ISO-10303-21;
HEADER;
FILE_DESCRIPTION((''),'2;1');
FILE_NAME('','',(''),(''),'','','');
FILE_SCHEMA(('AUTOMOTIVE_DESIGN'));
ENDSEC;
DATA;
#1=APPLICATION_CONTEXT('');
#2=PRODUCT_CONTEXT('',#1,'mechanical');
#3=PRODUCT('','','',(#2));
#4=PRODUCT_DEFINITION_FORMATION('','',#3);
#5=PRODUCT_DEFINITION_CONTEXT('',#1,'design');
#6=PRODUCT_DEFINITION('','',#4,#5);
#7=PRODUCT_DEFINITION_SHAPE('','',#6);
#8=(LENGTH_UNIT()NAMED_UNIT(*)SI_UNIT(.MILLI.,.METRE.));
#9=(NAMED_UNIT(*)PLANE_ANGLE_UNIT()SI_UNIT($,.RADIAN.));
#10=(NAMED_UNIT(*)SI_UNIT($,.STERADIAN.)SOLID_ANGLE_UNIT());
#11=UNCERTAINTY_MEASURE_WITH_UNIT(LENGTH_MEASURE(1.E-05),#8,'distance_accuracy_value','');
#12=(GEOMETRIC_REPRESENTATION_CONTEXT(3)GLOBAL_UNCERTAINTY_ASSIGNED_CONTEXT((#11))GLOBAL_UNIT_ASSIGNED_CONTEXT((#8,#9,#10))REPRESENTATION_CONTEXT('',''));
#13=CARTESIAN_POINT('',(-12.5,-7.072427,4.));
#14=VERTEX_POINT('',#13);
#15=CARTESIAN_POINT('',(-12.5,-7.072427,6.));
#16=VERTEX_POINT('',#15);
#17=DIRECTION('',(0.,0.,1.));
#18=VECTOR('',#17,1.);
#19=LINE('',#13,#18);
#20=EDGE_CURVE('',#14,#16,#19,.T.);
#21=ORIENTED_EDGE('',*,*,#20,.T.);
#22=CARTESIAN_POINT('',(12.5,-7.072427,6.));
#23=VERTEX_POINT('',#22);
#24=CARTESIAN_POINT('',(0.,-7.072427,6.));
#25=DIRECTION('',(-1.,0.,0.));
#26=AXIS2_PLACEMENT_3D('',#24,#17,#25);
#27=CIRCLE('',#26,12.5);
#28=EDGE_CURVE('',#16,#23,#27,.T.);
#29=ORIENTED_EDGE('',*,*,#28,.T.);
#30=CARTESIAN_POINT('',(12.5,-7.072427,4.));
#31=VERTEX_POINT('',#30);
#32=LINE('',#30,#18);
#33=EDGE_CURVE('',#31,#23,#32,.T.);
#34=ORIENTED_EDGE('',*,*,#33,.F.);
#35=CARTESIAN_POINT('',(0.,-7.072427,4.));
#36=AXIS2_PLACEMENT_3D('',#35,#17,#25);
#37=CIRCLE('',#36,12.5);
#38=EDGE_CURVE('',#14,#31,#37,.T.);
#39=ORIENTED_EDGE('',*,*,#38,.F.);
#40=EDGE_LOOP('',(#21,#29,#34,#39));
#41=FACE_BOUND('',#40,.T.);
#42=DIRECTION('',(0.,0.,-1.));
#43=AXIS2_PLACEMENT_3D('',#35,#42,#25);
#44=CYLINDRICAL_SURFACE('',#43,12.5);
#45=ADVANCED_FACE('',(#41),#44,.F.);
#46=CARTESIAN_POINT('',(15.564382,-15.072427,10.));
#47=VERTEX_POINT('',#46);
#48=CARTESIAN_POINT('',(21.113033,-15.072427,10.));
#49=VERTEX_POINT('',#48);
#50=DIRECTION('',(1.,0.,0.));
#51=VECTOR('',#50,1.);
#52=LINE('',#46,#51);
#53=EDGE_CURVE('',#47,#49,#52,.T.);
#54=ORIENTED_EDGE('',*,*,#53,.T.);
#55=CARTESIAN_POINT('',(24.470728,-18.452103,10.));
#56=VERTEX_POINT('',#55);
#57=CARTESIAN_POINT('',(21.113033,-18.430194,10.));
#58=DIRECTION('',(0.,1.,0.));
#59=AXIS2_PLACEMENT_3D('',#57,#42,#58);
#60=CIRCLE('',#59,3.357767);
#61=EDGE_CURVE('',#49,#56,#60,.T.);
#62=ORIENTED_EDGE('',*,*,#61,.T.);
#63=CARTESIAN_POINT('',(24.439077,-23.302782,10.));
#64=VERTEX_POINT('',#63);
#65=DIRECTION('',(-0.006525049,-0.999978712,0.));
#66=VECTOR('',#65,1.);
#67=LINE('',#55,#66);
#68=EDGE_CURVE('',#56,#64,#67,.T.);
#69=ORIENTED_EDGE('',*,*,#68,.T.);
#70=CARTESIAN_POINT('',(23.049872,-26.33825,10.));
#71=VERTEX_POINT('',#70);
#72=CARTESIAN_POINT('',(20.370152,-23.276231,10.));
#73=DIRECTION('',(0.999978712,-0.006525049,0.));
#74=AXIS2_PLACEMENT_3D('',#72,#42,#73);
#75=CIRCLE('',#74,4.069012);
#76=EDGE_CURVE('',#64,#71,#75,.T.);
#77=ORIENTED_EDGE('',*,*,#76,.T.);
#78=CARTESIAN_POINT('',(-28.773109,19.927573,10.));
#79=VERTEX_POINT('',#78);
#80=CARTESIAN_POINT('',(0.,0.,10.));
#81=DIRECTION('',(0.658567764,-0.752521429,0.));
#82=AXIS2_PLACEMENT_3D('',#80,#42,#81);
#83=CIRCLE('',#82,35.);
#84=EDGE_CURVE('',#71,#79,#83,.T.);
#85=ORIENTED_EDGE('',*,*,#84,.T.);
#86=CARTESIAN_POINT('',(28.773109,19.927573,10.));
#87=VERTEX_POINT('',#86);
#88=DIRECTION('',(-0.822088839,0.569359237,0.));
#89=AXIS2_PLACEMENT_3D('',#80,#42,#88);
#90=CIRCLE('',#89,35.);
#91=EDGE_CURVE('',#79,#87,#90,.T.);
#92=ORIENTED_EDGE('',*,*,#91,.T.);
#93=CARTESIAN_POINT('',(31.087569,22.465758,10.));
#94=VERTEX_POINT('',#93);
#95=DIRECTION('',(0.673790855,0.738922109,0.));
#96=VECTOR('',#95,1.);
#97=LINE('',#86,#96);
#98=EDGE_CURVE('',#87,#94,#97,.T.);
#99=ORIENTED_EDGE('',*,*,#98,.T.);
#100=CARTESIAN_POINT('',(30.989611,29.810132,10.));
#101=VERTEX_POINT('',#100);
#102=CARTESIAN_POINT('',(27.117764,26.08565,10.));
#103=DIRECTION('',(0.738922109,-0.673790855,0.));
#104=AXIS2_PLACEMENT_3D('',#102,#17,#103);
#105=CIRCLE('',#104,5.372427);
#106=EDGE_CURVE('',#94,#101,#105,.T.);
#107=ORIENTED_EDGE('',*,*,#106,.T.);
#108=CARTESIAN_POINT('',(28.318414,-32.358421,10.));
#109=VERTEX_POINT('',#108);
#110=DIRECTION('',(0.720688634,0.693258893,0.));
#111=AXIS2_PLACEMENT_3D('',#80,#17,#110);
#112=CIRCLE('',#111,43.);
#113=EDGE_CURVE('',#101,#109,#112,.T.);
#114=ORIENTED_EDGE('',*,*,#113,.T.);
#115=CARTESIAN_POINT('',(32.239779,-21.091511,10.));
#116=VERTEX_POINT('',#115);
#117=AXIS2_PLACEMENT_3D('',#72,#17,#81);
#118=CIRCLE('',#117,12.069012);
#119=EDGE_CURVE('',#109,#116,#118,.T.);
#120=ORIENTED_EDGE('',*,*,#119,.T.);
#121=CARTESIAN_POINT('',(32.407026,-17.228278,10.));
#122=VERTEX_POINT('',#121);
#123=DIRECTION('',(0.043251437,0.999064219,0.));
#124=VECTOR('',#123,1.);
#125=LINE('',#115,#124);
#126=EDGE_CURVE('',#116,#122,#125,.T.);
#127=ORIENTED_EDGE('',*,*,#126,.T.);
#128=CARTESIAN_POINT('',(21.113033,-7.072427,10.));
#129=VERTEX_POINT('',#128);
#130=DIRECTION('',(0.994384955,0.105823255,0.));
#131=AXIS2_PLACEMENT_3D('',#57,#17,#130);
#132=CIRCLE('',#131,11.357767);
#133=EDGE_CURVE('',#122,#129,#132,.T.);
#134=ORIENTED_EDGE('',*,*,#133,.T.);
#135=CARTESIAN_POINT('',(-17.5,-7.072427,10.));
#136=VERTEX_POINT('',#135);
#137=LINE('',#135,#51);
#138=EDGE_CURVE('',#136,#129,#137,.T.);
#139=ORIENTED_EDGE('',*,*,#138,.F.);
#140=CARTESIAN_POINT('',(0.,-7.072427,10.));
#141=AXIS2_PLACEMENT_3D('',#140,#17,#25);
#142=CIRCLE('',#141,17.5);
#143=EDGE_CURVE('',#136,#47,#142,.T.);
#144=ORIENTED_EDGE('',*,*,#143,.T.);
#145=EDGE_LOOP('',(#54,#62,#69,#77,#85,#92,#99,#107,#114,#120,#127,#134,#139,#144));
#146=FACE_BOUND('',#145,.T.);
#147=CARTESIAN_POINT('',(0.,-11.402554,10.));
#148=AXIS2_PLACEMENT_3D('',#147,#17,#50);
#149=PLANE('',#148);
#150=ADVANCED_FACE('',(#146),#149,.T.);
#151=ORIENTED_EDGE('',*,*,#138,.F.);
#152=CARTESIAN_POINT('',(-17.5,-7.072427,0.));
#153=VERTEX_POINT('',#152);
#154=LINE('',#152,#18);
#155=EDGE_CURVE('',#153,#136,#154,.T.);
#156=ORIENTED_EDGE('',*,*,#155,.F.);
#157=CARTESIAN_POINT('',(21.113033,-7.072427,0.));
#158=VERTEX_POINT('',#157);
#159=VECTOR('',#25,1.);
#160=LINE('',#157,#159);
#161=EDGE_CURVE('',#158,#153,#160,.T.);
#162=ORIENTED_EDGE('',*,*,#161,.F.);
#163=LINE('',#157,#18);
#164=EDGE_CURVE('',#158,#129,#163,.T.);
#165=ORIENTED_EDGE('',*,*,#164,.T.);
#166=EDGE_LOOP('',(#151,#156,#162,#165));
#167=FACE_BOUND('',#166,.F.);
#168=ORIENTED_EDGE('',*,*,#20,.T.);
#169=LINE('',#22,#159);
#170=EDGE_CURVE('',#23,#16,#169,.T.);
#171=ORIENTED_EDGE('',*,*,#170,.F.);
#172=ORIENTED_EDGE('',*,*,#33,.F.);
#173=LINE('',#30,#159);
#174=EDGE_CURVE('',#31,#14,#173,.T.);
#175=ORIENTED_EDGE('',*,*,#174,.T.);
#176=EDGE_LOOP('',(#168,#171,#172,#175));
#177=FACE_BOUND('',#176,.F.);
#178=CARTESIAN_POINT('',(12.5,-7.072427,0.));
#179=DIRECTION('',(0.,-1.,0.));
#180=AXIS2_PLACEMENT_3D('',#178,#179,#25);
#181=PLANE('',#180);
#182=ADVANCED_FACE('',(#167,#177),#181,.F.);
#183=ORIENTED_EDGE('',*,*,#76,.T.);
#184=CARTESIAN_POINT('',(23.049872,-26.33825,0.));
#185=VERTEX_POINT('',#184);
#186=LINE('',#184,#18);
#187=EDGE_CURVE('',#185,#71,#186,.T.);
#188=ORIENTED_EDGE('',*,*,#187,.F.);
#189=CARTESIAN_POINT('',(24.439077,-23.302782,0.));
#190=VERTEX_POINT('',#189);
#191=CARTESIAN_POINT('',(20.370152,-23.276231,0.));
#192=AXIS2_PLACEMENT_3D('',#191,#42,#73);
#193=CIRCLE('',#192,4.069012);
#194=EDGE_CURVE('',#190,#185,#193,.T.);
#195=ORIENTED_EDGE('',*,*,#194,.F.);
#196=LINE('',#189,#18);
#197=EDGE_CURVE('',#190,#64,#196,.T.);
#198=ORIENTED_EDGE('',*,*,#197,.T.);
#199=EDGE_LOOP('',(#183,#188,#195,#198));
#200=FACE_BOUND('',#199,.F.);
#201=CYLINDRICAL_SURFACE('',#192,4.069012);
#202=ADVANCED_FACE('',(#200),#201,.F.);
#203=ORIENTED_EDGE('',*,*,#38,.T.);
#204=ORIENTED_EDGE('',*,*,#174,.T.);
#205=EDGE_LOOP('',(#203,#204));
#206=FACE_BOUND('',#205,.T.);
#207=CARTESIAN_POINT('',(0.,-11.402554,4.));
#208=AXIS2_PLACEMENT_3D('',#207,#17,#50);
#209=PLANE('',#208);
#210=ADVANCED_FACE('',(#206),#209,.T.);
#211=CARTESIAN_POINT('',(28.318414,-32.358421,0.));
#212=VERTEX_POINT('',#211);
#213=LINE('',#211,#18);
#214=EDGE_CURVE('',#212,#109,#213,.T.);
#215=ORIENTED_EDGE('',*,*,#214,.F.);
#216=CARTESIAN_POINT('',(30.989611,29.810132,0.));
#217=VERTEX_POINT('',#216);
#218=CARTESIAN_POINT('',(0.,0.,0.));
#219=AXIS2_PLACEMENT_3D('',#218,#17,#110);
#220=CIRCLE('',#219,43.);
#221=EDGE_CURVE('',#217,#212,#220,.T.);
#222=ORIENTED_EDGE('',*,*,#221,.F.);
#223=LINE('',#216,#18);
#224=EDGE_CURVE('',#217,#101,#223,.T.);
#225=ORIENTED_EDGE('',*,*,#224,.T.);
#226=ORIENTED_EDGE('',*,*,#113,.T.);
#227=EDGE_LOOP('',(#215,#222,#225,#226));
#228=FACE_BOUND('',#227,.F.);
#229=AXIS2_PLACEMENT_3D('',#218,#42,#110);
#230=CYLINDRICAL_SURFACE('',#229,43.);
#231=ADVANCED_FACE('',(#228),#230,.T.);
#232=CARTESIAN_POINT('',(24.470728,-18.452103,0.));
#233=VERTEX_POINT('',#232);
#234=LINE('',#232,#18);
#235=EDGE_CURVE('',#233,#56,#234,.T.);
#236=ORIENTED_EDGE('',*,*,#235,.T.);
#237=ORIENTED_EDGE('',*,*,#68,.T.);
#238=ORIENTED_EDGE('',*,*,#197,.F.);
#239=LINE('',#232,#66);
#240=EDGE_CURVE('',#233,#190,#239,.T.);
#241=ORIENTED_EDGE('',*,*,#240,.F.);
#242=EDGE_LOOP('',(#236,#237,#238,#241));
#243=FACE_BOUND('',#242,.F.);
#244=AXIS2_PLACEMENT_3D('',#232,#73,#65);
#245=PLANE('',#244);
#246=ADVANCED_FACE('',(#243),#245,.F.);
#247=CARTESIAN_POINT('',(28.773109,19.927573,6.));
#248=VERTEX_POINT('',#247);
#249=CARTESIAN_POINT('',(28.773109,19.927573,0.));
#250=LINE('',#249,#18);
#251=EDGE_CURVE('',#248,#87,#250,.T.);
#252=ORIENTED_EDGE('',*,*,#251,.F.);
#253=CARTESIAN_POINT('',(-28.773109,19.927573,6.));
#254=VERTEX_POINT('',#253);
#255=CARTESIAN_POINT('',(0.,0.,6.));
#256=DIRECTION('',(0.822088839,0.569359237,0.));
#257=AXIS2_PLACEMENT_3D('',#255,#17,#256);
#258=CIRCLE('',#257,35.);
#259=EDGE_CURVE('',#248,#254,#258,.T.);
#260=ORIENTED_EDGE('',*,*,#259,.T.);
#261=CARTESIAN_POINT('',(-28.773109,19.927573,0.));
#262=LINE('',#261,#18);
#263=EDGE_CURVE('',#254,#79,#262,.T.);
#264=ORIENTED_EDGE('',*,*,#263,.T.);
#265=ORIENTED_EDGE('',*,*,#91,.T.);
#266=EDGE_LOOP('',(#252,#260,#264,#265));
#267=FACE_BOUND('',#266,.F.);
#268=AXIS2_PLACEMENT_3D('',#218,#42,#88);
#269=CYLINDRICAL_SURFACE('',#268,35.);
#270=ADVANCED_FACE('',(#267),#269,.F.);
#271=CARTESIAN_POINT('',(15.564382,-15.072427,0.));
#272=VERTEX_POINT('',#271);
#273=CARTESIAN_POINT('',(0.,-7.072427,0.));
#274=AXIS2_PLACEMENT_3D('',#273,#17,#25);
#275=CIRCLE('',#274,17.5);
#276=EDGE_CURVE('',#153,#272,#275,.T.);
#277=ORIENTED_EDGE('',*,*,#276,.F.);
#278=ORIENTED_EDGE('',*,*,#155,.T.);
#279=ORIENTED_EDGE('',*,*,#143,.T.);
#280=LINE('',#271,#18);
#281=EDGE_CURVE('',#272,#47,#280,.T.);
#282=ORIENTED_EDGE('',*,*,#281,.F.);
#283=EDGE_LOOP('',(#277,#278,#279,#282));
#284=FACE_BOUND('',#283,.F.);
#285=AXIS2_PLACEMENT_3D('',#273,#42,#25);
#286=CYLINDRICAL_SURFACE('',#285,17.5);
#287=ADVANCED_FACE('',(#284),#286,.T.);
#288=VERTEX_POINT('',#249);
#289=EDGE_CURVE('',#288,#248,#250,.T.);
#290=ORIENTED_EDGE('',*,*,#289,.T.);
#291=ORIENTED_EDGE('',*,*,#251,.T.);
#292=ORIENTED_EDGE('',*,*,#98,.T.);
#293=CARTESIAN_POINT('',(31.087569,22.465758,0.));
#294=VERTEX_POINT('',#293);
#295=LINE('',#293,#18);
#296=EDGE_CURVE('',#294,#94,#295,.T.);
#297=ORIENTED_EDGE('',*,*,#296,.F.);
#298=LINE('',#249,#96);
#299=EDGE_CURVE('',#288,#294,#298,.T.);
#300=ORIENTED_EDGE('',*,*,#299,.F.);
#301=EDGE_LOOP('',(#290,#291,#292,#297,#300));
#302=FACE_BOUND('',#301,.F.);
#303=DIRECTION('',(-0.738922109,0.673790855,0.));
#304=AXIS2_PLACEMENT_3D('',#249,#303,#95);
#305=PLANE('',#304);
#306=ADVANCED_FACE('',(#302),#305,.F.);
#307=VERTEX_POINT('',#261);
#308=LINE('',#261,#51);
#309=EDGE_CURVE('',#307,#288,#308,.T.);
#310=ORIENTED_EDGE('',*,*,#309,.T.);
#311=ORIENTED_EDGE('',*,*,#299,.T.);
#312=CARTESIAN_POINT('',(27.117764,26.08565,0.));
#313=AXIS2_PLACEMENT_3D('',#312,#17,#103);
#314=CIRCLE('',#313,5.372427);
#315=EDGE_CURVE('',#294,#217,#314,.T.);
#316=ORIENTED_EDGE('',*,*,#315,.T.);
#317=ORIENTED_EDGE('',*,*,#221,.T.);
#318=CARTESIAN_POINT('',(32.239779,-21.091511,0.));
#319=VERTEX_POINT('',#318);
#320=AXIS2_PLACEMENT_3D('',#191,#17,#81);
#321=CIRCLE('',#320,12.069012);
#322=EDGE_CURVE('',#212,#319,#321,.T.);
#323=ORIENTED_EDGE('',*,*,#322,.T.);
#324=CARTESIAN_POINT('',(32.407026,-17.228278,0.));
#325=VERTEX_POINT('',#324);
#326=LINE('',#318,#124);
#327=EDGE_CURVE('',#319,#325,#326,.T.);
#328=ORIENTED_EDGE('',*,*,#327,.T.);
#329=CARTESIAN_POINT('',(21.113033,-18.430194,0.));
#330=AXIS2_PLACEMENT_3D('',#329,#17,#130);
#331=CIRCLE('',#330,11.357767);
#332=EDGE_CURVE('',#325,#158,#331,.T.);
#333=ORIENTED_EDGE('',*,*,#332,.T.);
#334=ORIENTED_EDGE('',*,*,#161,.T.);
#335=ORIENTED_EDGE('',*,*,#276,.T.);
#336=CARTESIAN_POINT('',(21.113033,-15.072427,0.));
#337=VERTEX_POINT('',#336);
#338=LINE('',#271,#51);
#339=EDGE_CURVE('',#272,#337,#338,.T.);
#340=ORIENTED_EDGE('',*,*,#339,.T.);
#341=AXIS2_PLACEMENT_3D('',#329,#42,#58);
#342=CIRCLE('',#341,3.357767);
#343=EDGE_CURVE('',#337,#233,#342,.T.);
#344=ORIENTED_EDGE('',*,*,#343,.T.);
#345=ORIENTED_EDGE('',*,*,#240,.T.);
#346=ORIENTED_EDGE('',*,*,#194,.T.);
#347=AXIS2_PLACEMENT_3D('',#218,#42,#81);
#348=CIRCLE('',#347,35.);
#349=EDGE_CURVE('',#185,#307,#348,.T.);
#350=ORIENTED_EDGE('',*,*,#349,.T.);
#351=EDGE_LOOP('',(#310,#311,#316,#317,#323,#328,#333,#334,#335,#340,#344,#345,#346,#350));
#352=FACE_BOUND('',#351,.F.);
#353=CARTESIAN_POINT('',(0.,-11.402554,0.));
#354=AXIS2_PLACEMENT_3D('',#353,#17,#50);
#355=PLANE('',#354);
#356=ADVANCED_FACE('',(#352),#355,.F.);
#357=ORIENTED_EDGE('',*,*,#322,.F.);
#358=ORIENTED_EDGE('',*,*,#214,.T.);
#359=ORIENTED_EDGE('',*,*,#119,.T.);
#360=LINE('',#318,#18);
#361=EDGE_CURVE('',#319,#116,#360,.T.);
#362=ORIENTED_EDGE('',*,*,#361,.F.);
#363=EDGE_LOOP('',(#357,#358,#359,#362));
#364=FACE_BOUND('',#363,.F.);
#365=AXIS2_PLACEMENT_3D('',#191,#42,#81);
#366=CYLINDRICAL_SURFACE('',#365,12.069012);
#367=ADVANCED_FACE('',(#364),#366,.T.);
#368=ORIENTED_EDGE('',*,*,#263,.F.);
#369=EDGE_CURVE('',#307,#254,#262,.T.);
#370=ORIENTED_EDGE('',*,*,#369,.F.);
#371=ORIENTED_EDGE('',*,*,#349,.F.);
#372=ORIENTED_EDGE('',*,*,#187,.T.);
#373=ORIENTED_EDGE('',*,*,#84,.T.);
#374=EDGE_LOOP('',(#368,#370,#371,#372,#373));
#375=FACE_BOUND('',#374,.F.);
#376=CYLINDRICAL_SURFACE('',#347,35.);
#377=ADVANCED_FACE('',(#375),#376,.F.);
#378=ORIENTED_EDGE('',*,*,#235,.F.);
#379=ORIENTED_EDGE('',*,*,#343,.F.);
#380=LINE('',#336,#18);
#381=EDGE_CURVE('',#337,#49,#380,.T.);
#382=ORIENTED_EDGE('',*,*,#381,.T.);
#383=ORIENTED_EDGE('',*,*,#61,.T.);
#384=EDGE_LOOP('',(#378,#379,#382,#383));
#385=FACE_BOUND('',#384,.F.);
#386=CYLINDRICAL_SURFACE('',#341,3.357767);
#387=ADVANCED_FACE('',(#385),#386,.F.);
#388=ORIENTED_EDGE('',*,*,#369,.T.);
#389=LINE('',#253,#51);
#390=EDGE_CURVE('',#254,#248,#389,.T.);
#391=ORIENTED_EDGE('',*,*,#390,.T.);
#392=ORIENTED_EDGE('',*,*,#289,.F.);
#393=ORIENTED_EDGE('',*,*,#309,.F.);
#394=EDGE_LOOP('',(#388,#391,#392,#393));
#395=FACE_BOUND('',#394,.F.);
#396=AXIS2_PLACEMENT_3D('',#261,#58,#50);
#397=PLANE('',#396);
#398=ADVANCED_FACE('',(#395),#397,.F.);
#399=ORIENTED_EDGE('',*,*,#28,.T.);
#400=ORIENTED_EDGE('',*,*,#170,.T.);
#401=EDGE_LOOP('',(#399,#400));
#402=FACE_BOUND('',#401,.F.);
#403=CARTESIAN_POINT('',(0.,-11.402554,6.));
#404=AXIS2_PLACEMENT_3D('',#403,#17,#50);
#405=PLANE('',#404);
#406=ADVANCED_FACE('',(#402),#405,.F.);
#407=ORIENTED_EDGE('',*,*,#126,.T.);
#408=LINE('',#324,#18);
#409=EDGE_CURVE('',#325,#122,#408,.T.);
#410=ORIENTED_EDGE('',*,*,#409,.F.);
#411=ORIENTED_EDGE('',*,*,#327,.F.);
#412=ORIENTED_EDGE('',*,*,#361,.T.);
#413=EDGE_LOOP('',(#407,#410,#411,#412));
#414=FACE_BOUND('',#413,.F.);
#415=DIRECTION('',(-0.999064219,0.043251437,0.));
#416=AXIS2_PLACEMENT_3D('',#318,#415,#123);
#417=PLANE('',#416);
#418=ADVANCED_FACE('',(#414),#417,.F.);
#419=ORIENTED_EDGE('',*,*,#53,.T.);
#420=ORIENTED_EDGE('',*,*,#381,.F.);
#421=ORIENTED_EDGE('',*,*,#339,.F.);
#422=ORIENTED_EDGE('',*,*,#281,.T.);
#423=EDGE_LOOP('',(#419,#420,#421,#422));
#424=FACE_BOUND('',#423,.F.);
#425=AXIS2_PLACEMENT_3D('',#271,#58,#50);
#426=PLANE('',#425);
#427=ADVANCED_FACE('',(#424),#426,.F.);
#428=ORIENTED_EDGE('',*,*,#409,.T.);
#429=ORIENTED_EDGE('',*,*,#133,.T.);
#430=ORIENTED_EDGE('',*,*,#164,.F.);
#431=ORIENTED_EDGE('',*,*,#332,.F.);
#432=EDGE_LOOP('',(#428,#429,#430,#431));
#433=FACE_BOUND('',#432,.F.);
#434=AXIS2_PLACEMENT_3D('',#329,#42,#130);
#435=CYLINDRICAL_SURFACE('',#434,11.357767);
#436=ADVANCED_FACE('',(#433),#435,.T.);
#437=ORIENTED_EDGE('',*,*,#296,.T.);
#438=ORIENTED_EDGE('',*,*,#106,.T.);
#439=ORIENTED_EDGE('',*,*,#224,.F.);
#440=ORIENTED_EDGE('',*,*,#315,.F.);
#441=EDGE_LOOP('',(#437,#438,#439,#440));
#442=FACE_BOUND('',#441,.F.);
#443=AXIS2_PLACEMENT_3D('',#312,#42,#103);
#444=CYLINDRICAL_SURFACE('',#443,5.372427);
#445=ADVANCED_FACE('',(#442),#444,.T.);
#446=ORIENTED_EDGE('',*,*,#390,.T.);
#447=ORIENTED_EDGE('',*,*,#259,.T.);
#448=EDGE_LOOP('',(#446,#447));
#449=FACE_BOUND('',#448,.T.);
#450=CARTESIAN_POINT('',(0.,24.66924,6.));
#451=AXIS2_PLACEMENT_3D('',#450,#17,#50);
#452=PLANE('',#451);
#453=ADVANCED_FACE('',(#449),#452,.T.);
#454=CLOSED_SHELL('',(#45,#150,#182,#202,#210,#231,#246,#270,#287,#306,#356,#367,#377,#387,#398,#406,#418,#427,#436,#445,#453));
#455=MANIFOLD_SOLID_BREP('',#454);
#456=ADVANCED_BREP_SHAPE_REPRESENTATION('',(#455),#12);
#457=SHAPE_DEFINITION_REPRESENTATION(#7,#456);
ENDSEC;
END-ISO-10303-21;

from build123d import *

# Parameters (mm, degrees)
F1_DEPTH = 10
F2_DEPTH = 6
F3_DEPTH = 10
F4_START = 4
F4_DEPTH = 2


with BuildPart() as f1:
    # F0 (on Top) → F1 (new body)
    with BuildSketch(Plane.XY):
        with BuildLine():
            ThreePointArc((-28.7731093646, 19.9275732966), (0, 35), (28.7731093646, 19.9275732966))
            Line((28.7731093646, 19.9275732966), (31.0875692673, 22.4657579282))
            ThreePointArc((31.0875692673, 22.4657579282), (32.4897132735, 26.1572999971), (30.9896112585, 29.8101324057))
            ThreePointArc((30.9896112585, 29.8101324057), (-42.9603623337, 1.8458786953), (28.3184138379, -32.358421434))
            ThreePointArc((28.3184138379, -32.358421434), (31.7685286664, -27.2433524059), (32.2397786778, -21.0915114685))
            Line((32.2397786778, -21.0915114685), (32.4070255862, -17.2282779278))
            ThreePointArc((32.4070255862, -17.2282779278), (28.7073660358, -9.9847822061), (21.1130328535, -7.0724267034))
            Line((21.1130328535, -7.0724267034), (12.5, -7.0724267034))
            ThreePointArc((12.5, -7.0724267034), (0, -19.5724267034), (-12.5, -7.0724267034))
            Line((-12.5, -7.0724267034), (-17.5, -7.0724267034))
            ThreePointArc((-17.5, -7.0724267034), (-4.115416608, -24.0816402696), (15.5643824163, -15.0724267034))
            Line((15.5643824163, -15.0724267034), (21.1130328535, -15.0724267034))
            ThreePointArc((21.1130328535, -15.0724267034), (23.4950663605, -16.0636528083), (24.4707284781, -18.4521034048))
            Line((24.4707284781, -18.4521034048), (24.4390768882, -23.302781969))
            ThreePointArc((24.4390768882, -23.302781969), (24.0700935444, -24.9695381202), (23.0498717286, -26.3382500045))
            ThreePointArc((23.0498717286, -26.3382500045), (-23.3092355879, -26.108993399), (-28.7731093646, 19.9275732966))
        make_face()
    extrude(amount=F1_DEPTH)

    # F0 (on Top) → F2 (join)
    with BuildSketch(Plane.XY):
        with BuildLine():
            Line((-28.7731093646, 19.9275732966), (28.7731093646, 19.9275732966))
            ThreePointArc((28.7731093646, 19.9275732966), (0, 35), (-28.7731093646, 19.9275732966))
        make_face()
    extrude(amount=F2_DEPTH)

    # F0 (on Top) → F3 (join)
    with BuildSketch(Plane.XY):
        with BuildLine():
            ThreePointArc((-12.5, -7.0724267034), (0, -19.5724267034), (12.5, -7.0724267034))
            Line((12.5, -7.0724267034), (-12.5, -7.0724267034))
        make_face()
    extrude(amount=F3_DEPTH)

    # F0 (on Top) → F4 (cut)
    with BuildSketch(Plane.XY.offset(F4_START)):
        with BuildLine():
            ThreePointArc((-12.5, -7.0724267034), (0, -19.5724267034), (12.5, -7.0724267034))
            Line((12.5, -7.0724267034), (-12.5, -7.0724267034))
        make_face()
    extrude(amount=F4_DEPTH, mode=Mode.SUBTRACT)


solid = f1.part
